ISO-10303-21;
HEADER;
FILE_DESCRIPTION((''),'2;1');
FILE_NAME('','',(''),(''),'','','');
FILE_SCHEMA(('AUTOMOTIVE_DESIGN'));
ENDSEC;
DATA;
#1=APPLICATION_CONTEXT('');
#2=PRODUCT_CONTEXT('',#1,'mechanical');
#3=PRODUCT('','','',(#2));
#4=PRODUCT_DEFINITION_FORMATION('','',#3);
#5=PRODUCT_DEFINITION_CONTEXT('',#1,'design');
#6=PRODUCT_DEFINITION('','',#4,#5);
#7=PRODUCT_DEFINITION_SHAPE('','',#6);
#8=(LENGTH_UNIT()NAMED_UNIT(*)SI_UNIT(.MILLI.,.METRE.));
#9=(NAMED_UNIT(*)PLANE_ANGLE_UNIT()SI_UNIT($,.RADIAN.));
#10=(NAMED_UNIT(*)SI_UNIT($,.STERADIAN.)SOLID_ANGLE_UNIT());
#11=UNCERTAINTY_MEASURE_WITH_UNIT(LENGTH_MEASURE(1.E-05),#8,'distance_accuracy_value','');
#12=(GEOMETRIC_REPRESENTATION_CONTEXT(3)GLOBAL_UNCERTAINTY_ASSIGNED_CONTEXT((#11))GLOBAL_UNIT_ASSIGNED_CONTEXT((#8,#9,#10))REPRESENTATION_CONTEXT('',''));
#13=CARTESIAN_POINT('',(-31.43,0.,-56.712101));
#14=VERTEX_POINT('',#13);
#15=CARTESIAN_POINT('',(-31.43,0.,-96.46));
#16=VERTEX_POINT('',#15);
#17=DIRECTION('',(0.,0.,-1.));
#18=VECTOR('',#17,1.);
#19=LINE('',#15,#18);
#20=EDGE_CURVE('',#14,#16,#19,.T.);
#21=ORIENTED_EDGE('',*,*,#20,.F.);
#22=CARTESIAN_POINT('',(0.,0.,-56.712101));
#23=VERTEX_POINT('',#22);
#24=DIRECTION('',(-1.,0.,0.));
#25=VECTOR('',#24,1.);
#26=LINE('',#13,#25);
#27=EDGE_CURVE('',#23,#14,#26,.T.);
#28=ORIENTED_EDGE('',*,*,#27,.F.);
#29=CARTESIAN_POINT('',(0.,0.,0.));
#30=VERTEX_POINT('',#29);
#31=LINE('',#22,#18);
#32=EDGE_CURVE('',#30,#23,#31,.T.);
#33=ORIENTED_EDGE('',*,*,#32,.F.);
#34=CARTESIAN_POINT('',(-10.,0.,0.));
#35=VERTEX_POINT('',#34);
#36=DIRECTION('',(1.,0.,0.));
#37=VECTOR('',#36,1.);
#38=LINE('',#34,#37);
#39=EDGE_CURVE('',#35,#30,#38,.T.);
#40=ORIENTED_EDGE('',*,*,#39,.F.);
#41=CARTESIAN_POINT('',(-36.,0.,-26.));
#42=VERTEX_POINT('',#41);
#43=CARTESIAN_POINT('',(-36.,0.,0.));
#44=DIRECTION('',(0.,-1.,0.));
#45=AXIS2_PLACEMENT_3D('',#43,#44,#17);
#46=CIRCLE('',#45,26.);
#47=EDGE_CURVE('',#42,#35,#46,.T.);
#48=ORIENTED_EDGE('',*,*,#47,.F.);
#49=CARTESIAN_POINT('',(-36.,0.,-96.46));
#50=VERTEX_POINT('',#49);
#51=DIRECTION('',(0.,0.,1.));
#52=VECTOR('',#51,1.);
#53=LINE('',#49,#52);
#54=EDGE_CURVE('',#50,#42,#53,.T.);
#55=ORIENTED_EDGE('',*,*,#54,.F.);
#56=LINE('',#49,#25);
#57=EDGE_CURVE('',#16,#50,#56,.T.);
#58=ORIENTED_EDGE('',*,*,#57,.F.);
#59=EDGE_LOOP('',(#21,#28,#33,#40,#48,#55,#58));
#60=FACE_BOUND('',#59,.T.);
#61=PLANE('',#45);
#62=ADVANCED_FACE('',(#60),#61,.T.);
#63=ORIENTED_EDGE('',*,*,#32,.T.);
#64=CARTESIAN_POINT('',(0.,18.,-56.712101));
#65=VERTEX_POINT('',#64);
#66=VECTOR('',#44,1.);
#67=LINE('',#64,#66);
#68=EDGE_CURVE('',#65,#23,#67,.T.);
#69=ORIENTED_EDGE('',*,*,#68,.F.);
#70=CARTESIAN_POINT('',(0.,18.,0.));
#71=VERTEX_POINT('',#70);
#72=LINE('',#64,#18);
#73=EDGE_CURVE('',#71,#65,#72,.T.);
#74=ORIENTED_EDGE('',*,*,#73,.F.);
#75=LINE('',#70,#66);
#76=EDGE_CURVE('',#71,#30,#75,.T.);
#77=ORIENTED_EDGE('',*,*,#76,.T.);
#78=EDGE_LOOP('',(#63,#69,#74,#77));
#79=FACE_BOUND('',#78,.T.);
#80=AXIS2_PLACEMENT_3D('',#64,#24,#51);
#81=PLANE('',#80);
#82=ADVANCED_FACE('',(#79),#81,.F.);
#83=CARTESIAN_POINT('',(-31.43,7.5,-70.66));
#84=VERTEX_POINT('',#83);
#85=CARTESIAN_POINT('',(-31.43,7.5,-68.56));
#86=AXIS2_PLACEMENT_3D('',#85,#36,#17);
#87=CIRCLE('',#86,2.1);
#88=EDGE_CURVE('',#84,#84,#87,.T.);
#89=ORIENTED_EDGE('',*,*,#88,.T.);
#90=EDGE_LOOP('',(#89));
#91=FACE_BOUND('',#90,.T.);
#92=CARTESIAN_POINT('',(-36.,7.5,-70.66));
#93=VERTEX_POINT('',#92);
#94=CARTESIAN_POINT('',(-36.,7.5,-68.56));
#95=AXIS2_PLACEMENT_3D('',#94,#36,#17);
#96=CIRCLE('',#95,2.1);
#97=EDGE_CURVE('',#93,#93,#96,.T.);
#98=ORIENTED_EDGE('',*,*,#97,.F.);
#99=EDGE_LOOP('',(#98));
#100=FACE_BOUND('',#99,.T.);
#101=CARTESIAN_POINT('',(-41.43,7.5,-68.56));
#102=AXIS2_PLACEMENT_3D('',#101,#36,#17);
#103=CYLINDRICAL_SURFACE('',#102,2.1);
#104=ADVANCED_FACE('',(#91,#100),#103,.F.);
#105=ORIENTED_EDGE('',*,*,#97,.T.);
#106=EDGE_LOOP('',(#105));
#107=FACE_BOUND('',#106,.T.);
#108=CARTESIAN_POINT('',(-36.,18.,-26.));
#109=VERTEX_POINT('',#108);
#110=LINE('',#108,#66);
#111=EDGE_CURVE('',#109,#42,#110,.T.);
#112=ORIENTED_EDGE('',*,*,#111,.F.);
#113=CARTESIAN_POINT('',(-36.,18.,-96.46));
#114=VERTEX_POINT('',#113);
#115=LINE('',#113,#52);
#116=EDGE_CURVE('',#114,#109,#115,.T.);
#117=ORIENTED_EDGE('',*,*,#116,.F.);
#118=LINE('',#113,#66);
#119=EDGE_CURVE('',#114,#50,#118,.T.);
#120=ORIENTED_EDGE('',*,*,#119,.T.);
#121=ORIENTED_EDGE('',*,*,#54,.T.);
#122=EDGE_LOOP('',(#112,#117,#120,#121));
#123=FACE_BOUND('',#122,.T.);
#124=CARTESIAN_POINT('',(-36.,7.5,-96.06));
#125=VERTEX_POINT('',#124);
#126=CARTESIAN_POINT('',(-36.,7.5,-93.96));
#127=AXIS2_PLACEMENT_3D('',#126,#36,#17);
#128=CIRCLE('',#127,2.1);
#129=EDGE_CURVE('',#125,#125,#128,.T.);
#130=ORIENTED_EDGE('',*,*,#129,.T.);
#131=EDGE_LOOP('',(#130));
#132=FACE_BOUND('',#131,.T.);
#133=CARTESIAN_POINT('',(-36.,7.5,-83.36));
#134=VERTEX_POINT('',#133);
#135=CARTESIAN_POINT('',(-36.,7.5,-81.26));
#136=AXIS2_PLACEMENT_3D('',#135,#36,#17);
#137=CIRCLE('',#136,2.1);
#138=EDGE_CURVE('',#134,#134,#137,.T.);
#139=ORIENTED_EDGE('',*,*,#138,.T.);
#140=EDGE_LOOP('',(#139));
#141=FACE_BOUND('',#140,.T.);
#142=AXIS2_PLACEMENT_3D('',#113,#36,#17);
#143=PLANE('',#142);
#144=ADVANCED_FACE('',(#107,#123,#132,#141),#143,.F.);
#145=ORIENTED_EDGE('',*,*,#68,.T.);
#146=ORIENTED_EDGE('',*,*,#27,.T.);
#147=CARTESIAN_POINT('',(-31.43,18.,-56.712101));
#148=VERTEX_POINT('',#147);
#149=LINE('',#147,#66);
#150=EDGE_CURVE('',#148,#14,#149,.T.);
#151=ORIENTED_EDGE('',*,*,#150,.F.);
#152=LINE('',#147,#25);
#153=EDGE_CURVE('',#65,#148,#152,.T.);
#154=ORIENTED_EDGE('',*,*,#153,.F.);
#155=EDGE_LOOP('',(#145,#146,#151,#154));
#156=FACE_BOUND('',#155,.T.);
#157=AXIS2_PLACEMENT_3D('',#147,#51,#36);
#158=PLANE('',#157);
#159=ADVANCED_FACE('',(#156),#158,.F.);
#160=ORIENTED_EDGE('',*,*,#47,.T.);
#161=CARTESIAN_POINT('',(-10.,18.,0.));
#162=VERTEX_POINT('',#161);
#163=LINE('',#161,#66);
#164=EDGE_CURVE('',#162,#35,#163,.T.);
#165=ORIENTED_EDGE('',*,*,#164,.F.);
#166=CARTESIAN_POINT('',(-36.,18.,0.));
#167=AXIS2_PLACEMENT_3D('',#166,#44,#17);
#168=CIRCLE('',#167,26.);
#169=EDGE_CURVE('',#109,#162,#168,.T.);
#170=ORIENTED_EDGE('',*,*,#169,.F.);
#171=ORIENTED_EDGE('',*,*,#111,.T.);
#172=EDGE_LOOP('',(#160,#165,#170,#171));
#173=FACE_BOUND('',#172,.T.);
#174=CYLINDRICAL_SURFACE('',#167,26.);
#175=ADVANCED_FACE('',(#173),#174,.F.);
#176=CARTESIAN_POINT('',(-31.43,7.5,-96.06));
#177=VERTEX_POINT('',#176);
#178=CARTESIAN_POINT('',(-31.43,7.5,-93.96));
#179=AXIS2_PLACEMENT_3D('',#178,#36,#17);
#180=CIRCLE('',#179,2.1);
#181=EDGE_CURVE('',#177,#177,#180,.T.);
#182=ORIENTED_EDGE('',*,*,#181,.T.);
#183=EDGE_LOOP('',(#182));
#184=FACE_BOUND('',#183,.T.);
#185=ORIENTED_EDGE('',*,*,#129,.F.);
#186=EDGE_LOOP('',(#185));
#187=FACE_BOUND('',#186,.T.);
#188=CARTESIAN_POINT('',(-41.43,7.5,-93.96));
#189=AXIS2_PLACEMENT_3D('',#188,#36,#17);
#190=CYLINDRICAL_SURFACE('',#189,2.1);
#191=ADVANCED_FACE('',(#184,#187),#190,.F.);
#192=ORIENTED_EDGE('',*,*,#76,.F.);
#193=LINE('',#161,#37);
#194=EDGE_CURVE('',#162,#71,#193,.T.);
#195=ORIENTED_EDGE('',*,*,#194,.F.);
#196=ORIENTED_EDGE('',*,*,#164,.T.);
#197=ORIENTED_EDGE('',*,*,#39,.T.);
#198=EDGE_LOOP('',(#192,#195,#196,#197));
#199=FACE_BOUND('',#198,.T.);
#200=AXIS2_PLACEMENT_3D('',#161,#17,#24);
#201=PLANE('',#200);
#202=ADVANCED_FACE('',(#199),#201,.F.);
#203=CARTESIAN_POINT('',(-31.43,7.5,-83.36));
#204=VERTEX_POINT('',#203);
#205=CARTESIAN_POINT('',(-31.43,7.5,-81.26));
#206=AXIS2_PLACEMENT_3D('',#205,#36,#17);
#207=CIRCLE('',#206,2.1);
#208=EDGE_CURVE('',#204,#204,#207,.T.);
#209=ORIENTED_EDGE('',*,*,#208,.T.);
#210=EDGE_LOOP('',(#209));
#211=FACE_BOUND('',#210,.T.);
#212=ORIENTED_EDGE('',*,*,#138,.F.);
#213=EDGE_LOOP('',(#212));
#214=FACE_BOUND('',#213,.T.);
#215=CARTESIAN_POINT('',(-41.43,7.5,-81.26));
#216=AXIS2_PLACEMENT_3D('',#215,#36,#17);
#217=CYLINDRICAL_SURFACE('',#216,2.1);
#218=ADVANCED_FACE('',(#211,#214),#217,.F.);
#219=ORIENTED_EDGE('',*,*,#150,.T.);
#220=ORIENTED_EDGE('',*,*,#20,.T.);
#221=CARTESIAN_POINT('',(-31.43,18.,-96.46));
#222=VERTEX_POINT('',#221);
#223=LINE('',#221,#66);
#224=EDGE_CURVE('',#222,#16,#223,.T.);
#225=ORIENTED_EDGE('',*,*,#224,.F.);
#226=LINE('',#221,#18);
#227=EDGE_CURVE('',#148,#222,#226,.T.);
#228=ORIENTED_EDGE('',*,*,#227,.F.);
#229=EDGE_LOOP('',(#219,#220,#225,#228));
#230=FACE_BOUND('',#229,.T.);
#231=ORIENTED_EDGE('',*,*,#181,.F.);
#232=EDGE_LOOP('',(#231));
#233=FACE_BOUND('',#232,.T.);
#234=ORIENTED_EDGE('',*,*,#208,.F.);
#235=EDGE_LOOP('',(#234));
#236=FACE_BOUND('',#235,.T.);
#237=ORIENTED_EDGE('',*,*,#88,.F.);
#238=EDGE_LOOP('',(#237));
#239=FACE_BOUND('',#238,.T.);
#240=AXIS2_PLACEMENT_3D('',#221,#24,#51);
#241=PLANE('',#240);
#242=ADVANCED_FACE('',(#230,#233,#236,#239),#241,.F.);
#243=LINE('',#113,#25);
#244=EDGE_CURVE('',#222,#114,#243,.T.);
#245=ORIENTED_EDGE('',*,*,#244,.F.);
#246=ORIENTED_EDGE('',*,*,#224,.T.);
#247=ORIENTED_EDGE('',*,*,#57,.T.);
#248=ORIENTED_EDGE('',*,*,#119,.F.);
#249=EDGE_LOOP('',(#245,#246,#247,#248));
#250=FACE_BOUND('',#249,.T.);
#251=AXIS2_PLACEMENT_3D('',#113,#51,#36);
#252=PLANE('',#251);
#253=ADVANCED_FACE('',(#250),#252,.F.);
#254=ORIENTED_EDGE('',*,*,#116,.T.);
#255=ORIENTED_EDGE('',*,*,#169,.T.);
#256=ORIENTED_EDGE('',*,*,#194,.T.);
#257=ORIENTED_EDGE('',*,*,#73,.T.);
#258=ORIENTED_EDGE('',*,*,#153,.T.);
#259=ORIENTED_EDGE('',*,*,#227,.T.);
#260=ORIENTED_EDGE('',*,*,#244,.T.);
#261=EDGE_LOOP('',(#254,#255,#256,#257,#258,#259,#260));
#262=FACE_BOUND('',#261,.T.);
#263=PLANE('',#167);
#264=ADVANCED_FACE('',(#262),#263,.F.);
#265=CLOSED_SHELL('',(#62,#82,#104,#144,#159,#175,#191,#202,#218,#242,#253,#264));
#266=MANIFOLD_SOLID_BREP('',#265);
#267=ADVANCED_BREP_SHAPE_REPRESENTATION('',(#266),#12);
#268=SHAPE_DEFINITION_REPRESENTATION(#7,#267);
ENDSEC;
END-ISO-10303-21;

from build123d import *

# Parameters (mm, degrees)
BOSS_EXTRUDE1_DEPTH = 18
SKETCH4_R           = 2.1
CUT_EXTRUDE3_DEPTH  = 10


with BuildPart() as part:
    # Sketch1 → Boss-Extrude1 (new body)
    with BuildSketch(Plane(origin=(0, 0, 0), x_dir=(1, 0, 0), z_dir=(0, 1, 0))):
        with BuildLine():
            Line((-10, 0), (0, 0))
            Line((0, 0), (0, 56.712101031))
            Line((0, 56.712101031), (-31.43, 56.712101031))
            Line((-31.43, 56.712101031), (-31.43, 96.46))
            Line((-31.43, 96.46), (-36, 96.46))
            Line((-36, 96.46), (-36, 26))
            ThreePointArc((-36, 26), (-17.615223689, 18.384776311), (-10, 0))
        make_face()
    extrude(amount=BOSS_EXTRUDE1_DEPTH)

    # Sketch4 → Cut-Extrude3 (cut)
    with BuildSketch(Plane(origin=(-31.43, 0, 0), x_dir=(0, 0, -1), z_dir=(1, 0, 0))):
        with Locations((81.26, 7.5)):
            Circle(SKETCH4_R)
        with Locations((93.96, 7.5)):
            Circle(SKETCH4_R)
        with Locations((68.56, 7.5)):
            Circle(SKETCH4_R)
    extrude(amount=-CUT_EXTRUDE3_DEPTH, mode=Mode.SUBTRACT)


solid = part.part
